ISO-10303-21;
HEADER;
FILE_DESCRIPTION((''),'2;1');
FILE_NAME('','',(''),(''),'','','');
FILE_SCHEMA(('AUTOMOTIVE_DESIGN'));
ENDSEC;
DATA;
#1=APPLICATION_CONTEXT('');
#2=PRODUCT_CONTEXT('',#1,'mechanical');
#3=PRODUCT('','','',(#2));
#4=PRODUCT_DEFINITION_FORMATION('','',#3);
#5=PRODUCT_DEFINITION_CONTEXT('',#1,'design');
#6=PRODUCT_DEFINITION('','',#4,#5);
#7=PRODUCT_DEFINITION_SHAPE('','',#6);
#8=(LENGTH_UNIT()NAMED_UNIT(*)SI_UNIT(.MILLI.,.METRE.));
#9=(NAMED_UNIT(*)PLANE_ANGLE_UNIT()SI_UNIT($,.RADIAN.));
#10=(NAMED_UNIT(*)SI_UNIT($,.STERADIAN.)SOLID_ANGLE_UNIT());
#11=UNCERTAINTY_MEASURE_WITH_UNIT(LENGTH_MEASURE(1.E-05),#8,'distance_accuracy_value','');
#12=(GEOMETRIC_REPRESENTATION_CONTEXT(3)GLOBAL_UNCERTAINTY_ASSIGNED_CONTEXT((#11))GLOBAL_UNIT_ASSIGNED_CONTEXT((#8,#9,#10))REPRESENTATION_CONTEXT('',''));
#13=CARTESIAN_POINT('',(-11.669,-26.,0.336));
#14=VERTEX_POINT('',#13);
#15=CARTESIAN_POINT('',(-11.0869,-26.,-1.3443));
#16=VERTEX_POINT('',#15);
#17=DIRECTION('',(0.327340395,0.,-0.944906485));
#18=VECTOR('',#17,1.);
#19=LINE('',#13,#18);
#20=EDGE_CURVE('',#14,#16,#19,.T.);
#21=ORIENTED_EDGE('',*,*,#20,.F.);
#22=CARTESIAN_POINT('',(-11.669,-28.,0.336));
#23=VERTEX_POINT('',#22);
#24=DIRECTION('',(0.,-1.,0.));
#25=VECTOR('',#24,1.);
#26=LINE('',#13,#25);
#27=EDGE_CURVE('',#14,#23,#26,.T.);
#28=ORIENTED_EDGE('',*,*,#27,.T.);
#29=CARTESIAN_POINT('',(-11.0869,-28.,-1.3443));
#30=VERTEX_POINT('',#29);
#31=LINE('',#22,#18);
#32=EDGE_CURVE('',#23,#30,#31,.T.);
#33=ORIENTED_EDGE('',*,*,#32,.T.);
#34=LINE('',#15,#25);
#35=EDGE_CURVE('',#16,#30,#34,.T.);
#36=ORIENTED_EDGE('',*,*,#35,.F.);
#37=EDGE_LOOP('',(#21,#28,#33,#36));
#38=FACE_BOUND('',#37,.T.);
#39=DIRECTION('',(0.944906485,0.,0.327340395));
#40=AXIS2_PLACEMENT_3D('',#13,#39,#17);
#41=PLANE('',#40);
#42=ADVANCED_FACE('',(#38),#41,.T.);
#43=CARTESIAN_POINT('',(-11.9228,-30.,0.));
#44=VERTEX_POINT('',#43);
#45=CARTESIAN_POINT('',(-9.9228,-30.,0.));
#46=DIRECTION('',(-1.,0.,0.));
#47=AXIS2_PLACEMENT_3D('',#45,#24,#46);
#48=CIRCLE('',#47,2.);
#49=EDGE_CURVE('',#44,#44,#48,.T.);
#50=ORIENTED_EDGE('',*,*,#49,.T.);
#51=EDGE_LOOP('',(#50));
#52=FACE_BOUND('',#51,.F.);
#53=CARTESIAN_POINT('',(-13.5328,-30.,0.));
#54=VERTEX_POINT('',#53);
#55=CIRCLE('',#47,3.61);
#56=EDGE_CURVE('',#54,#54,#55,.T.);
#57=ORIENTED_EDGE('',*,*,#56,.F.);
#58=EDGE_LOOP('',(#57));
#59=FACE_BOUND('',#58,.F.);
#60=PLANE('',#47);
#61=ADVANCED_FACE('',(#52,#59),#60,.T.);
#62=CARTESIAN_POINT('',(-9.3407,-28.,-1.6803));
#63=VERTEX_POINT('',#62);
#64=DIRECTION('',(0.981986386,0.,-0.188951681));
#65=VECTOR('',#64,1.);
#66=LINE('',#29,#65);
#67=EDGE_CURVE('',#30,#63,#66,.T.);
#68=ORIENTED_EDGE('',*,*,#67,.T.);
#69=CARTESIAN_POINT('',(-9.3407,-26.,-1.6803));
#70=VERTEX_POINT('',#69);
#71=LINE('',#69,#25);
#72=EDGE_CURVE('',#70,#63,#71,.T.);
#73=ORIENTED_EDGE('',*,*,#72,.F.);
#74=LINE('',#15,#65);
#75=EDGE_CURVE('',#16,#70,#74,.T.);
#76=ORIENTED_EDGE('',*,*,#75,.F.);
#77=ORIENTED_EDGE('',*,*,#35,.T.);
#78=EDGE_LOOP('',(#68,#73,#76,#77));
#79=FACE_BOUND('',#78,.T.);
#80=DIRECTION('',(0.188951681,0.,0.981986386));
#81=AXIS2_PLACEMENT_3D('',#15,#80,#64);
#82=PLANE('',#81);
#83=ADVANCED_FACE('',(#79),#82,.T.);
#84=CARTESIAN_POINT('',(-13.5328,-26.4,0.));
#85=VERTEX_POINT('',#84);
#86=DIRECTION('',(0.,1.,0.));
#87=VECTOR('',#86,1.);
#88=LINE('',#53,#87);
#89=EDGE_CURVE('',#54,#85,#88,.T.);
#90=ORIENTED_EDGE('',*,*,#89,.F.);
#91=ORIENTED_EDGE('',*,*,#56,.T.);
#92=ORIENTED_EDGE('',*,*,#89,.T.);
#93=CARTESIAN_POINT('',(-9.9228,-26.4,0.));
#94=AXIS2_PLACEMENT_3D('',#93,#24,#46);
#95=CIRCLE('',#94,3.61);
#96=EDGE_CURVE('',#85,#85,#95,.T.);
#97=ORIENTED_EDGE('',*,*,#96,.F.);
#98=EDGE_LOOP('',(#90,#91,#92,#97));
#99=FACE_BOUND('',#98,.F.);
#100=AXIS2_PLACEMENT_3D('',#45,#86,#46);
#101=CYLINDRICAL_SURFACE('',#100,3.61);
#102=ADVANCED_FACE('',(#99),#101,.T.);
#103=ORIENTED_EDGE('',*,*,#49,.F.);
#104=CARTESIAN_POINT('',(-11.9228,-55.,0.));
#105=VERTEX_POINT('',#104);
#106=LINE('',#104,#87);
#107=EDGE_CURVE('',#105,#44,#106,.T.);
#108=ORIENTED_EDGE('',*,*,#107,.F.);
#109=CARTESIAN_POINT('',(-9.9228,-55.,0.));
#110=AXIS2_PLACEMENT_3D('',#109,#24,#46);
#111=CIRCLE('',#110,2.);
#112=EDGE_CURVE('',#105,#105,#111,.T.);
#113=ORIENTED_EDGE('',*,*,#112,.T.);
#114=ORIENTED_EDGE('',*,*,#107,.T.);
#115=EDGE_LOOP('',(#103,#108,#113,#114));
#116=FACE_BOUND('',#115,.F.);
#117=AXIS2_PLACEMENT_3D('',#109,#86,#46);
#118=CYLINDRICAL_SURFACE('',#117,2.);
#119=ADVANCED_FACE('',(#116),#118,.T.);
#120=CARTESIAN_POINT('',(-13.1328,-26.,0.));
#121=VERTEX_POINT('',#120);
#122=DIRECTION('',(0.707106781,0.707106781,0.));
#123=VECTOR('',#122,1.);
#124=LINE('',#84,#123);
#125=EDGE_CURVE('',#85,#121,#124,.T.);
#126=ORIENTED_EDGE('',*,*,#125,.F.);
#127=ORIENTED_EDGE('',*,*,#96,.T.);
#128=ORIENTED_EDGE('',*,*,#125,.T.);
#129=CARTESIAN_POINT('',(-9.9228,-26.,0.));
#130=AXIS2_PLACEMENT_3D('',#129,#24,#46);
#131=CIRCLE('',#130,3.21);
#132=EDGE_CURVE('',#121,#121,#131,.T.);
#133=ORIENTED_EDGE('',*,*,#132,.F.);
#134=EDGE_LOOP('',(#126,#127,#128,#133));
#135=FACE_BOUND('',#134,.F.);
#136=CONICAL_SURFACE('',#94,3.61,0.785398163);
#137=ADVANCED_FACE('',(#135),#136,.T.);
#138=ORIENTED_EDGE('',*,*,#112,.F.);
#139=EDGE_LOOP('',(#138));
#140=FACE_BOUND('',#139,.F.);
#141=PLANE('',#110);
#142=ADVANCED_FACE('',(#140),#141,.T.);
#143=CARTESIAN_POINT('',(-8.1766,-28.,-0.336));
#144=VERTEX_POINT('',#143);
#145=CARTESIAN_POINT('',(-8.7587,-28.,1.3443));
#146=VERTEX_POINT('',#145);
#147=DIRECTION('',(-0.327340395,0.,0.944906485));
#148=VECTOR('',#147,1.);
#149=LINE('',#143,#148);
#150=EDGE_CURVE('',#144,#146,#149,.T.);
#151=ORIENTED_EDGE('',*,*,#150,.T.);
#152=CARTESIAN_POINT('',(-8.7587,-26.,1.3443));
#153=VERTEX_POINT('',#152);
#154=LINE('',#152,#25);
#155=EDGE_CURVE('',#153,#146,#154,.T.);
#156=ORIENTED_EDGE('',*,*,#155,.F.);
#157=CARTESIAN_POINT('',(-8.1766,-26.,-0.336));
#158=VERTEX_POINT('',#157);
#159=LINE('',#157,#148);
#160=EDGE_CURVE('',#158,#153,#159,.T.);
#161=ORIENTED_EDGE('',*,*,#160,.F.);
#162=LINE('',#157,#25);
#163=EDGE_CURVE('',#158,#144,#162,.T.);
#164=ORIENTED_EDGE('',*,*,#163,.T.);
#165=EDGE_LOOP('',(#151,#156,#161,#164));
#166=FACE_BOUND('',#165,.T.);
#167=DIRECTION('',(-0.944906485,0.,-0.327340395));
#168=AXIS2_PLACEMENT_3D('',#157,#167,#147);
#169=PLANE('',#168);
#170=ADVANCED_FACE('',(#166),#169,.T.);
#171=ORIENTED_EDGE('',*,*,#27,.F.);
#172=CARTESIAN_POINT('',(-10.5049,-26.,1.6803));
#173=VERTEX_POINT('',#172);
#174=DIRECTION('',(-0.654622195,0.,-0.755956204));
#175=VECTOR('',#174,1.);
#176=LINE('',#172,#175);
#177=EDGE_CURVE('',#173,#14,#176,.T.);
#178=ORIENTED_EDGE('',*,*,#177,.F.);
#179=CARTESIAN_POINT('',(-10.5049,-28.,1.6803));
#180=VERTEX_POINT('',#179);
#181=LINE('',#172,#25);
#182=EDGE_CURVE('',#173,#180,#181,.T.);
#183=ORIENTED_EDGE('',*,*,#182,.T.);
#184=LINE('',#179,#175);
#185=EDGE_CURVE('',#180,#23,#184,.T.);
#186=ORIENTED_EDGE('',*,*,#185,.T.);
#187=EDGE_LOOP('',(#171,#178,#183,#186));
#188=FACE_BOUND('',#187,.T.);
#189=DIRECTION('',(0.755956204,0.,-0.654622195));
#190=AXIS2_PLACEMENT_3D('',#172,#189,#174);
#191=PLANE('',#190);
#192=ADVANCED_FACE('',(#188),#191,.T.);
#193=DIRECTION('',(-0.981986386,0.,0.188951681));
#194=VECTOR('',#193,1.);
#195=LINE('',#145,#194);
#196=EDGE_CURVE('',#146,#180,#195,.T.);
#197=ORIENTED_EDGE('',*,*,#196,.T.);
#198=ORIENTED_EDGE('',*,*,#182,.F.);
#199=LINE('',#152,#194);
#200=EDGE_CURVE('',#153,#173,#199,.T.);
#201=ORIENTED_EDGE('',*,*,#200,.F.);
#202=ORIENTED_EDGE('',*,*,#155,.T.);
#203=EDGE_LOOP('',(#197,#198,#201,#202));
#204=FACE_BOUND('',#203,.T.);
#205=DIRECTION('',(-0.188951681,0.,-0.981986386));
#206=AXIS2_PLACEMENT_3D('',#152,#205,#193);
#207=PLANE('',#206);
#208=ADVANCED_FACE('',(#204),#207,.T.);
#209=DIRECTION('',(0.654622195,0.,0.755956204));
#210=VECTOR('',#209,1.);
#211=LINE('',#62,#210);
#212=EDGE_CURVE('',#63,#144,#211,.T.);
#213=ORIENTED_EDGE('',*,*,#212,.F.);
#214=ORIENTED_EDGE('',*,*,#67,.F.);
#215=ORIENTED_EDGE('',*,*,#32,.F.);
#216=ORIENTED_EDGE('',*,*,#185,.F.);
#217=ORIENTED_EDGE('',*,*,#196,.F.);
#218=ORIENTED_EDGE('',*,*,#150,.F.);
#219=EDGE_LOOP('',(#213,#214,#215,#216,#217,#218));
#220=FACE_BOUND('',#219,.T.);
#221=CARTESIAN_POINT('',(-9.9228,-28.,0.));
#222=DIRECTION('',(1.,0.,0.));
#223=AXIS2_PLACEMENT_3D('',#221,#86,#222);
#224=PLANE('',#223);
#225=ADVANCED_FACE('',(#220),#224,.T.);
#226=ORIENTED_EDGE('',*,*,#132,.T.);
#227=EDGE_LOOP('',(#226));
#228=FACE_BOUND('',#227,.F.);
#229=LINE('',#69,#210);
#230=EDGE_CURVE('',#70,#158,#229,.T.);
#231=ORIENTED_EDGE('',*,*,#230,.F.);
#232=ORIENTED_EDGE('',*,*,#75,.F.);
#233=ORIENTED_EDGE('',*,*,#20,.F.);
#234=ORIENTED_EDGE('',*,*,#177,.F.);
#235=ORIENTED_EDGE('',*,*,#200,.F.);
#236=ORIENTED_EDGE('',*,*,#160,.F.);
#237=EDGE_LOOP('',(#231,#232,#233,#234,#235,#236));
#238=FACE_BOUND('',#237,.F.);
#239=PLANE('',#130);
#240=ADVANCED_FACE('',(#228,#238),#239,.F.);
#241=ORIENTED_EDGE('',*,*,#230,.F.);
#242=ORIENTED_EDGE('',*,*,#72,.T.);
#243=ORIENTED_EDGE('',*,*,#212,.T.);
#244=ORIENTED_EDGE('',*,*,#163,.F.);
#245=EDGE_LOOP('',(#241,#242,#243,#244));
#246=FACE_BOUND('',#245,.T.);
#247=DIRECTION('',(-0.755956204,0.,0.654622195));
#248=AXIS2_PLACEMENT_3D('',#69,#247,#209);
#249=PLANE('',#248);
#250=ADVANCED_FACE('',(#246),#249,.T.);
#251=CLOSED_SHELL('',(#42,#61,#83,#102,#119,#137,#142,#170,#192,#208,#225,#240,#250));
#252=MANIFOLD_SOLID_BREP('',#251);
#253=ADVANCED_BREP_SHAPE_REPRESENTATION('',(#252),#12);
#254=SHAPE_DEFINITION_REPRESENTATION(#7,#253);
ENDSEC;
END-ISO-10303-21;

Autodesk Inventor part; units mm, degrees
ref_plane "YZ Plane" through (0, 0, 0) normal (1, 0, 0) x (0, 1, 0)
ref_plane "XZ Plane" through (0, 0, 0) normal (0, 1, 0) x (-1, 0, 0)
ref_plane "XY Plane" through (0, 0, 0) normal (0, 0, 1) x (1, 0, 0)
sketch "Sketch1" plane through (0, 0, 0) normal (0, 0, 1) x (1, 0, 0)
  line L0 (-9.9228, -30) -> (-13.5328, -30)
  line L1 (-13.5328, -30) -> (-13.5328, -26)
  line L2 (-13.5328, -26) -> (-9.9228, -26)
  line L3 (-9.9228, -26) -> (-9.9228, -30)
  line L4 (-9.9228, -30) -> (-9.9228, -55)
  line L5 (-9.9228, -55) -> (-11.9228, -55)
  line L6 (-11.9228, -55) -> (-11.9228, -30)
  point P0 (0, 0)
  dimension "d0" = 3.61
  dimension "d1" = 4
  dimension "d3" = 2
  dimension "d16" = 25
revolve "Revolution1" add sketch "Sketch1" angle 360 about axis through (-9.9228, -30, 0) along (0, -1, 0)
chamfer "Chamfer1" distance 0.4 angle 45 1 edges at (-6.3128, -26, 0)
sketch "Boceto2" plane through (-9.9228, -26, 0) normal (0, 1, 0) x (1, 0, 0)
  line L0 (1.1641, -1.3443) -> (-0.5821, -1.6803)
  line L1 (-0.5821, -1.6803) -> (-1.7462, -0.336)
  line L2 (-1.7462, -0.336) -> (-1.1641, 1.3443)
  line L3 (-1.1641, 1.3443) -> (0.5821, 1.6803)
  line L4 (0.5821, 1.6803) -> (1.7462, 0.336)
  line L5 (1.7462, 0.336) -> (1.1641, -1.3443)
  point P0 (9.9228, 0)
  point P1 (0, 0)
  dimension "d11" = 3.08
extrude "Extrusión1" cut sketch "Boceto2" against normal blind 2
thread "Rosca1" size "M4x0.7" class "6g" standard "ISO Metric profile" length 430
properties part number "Tornillo Allen cabeza cilindrica M4x25mm"
